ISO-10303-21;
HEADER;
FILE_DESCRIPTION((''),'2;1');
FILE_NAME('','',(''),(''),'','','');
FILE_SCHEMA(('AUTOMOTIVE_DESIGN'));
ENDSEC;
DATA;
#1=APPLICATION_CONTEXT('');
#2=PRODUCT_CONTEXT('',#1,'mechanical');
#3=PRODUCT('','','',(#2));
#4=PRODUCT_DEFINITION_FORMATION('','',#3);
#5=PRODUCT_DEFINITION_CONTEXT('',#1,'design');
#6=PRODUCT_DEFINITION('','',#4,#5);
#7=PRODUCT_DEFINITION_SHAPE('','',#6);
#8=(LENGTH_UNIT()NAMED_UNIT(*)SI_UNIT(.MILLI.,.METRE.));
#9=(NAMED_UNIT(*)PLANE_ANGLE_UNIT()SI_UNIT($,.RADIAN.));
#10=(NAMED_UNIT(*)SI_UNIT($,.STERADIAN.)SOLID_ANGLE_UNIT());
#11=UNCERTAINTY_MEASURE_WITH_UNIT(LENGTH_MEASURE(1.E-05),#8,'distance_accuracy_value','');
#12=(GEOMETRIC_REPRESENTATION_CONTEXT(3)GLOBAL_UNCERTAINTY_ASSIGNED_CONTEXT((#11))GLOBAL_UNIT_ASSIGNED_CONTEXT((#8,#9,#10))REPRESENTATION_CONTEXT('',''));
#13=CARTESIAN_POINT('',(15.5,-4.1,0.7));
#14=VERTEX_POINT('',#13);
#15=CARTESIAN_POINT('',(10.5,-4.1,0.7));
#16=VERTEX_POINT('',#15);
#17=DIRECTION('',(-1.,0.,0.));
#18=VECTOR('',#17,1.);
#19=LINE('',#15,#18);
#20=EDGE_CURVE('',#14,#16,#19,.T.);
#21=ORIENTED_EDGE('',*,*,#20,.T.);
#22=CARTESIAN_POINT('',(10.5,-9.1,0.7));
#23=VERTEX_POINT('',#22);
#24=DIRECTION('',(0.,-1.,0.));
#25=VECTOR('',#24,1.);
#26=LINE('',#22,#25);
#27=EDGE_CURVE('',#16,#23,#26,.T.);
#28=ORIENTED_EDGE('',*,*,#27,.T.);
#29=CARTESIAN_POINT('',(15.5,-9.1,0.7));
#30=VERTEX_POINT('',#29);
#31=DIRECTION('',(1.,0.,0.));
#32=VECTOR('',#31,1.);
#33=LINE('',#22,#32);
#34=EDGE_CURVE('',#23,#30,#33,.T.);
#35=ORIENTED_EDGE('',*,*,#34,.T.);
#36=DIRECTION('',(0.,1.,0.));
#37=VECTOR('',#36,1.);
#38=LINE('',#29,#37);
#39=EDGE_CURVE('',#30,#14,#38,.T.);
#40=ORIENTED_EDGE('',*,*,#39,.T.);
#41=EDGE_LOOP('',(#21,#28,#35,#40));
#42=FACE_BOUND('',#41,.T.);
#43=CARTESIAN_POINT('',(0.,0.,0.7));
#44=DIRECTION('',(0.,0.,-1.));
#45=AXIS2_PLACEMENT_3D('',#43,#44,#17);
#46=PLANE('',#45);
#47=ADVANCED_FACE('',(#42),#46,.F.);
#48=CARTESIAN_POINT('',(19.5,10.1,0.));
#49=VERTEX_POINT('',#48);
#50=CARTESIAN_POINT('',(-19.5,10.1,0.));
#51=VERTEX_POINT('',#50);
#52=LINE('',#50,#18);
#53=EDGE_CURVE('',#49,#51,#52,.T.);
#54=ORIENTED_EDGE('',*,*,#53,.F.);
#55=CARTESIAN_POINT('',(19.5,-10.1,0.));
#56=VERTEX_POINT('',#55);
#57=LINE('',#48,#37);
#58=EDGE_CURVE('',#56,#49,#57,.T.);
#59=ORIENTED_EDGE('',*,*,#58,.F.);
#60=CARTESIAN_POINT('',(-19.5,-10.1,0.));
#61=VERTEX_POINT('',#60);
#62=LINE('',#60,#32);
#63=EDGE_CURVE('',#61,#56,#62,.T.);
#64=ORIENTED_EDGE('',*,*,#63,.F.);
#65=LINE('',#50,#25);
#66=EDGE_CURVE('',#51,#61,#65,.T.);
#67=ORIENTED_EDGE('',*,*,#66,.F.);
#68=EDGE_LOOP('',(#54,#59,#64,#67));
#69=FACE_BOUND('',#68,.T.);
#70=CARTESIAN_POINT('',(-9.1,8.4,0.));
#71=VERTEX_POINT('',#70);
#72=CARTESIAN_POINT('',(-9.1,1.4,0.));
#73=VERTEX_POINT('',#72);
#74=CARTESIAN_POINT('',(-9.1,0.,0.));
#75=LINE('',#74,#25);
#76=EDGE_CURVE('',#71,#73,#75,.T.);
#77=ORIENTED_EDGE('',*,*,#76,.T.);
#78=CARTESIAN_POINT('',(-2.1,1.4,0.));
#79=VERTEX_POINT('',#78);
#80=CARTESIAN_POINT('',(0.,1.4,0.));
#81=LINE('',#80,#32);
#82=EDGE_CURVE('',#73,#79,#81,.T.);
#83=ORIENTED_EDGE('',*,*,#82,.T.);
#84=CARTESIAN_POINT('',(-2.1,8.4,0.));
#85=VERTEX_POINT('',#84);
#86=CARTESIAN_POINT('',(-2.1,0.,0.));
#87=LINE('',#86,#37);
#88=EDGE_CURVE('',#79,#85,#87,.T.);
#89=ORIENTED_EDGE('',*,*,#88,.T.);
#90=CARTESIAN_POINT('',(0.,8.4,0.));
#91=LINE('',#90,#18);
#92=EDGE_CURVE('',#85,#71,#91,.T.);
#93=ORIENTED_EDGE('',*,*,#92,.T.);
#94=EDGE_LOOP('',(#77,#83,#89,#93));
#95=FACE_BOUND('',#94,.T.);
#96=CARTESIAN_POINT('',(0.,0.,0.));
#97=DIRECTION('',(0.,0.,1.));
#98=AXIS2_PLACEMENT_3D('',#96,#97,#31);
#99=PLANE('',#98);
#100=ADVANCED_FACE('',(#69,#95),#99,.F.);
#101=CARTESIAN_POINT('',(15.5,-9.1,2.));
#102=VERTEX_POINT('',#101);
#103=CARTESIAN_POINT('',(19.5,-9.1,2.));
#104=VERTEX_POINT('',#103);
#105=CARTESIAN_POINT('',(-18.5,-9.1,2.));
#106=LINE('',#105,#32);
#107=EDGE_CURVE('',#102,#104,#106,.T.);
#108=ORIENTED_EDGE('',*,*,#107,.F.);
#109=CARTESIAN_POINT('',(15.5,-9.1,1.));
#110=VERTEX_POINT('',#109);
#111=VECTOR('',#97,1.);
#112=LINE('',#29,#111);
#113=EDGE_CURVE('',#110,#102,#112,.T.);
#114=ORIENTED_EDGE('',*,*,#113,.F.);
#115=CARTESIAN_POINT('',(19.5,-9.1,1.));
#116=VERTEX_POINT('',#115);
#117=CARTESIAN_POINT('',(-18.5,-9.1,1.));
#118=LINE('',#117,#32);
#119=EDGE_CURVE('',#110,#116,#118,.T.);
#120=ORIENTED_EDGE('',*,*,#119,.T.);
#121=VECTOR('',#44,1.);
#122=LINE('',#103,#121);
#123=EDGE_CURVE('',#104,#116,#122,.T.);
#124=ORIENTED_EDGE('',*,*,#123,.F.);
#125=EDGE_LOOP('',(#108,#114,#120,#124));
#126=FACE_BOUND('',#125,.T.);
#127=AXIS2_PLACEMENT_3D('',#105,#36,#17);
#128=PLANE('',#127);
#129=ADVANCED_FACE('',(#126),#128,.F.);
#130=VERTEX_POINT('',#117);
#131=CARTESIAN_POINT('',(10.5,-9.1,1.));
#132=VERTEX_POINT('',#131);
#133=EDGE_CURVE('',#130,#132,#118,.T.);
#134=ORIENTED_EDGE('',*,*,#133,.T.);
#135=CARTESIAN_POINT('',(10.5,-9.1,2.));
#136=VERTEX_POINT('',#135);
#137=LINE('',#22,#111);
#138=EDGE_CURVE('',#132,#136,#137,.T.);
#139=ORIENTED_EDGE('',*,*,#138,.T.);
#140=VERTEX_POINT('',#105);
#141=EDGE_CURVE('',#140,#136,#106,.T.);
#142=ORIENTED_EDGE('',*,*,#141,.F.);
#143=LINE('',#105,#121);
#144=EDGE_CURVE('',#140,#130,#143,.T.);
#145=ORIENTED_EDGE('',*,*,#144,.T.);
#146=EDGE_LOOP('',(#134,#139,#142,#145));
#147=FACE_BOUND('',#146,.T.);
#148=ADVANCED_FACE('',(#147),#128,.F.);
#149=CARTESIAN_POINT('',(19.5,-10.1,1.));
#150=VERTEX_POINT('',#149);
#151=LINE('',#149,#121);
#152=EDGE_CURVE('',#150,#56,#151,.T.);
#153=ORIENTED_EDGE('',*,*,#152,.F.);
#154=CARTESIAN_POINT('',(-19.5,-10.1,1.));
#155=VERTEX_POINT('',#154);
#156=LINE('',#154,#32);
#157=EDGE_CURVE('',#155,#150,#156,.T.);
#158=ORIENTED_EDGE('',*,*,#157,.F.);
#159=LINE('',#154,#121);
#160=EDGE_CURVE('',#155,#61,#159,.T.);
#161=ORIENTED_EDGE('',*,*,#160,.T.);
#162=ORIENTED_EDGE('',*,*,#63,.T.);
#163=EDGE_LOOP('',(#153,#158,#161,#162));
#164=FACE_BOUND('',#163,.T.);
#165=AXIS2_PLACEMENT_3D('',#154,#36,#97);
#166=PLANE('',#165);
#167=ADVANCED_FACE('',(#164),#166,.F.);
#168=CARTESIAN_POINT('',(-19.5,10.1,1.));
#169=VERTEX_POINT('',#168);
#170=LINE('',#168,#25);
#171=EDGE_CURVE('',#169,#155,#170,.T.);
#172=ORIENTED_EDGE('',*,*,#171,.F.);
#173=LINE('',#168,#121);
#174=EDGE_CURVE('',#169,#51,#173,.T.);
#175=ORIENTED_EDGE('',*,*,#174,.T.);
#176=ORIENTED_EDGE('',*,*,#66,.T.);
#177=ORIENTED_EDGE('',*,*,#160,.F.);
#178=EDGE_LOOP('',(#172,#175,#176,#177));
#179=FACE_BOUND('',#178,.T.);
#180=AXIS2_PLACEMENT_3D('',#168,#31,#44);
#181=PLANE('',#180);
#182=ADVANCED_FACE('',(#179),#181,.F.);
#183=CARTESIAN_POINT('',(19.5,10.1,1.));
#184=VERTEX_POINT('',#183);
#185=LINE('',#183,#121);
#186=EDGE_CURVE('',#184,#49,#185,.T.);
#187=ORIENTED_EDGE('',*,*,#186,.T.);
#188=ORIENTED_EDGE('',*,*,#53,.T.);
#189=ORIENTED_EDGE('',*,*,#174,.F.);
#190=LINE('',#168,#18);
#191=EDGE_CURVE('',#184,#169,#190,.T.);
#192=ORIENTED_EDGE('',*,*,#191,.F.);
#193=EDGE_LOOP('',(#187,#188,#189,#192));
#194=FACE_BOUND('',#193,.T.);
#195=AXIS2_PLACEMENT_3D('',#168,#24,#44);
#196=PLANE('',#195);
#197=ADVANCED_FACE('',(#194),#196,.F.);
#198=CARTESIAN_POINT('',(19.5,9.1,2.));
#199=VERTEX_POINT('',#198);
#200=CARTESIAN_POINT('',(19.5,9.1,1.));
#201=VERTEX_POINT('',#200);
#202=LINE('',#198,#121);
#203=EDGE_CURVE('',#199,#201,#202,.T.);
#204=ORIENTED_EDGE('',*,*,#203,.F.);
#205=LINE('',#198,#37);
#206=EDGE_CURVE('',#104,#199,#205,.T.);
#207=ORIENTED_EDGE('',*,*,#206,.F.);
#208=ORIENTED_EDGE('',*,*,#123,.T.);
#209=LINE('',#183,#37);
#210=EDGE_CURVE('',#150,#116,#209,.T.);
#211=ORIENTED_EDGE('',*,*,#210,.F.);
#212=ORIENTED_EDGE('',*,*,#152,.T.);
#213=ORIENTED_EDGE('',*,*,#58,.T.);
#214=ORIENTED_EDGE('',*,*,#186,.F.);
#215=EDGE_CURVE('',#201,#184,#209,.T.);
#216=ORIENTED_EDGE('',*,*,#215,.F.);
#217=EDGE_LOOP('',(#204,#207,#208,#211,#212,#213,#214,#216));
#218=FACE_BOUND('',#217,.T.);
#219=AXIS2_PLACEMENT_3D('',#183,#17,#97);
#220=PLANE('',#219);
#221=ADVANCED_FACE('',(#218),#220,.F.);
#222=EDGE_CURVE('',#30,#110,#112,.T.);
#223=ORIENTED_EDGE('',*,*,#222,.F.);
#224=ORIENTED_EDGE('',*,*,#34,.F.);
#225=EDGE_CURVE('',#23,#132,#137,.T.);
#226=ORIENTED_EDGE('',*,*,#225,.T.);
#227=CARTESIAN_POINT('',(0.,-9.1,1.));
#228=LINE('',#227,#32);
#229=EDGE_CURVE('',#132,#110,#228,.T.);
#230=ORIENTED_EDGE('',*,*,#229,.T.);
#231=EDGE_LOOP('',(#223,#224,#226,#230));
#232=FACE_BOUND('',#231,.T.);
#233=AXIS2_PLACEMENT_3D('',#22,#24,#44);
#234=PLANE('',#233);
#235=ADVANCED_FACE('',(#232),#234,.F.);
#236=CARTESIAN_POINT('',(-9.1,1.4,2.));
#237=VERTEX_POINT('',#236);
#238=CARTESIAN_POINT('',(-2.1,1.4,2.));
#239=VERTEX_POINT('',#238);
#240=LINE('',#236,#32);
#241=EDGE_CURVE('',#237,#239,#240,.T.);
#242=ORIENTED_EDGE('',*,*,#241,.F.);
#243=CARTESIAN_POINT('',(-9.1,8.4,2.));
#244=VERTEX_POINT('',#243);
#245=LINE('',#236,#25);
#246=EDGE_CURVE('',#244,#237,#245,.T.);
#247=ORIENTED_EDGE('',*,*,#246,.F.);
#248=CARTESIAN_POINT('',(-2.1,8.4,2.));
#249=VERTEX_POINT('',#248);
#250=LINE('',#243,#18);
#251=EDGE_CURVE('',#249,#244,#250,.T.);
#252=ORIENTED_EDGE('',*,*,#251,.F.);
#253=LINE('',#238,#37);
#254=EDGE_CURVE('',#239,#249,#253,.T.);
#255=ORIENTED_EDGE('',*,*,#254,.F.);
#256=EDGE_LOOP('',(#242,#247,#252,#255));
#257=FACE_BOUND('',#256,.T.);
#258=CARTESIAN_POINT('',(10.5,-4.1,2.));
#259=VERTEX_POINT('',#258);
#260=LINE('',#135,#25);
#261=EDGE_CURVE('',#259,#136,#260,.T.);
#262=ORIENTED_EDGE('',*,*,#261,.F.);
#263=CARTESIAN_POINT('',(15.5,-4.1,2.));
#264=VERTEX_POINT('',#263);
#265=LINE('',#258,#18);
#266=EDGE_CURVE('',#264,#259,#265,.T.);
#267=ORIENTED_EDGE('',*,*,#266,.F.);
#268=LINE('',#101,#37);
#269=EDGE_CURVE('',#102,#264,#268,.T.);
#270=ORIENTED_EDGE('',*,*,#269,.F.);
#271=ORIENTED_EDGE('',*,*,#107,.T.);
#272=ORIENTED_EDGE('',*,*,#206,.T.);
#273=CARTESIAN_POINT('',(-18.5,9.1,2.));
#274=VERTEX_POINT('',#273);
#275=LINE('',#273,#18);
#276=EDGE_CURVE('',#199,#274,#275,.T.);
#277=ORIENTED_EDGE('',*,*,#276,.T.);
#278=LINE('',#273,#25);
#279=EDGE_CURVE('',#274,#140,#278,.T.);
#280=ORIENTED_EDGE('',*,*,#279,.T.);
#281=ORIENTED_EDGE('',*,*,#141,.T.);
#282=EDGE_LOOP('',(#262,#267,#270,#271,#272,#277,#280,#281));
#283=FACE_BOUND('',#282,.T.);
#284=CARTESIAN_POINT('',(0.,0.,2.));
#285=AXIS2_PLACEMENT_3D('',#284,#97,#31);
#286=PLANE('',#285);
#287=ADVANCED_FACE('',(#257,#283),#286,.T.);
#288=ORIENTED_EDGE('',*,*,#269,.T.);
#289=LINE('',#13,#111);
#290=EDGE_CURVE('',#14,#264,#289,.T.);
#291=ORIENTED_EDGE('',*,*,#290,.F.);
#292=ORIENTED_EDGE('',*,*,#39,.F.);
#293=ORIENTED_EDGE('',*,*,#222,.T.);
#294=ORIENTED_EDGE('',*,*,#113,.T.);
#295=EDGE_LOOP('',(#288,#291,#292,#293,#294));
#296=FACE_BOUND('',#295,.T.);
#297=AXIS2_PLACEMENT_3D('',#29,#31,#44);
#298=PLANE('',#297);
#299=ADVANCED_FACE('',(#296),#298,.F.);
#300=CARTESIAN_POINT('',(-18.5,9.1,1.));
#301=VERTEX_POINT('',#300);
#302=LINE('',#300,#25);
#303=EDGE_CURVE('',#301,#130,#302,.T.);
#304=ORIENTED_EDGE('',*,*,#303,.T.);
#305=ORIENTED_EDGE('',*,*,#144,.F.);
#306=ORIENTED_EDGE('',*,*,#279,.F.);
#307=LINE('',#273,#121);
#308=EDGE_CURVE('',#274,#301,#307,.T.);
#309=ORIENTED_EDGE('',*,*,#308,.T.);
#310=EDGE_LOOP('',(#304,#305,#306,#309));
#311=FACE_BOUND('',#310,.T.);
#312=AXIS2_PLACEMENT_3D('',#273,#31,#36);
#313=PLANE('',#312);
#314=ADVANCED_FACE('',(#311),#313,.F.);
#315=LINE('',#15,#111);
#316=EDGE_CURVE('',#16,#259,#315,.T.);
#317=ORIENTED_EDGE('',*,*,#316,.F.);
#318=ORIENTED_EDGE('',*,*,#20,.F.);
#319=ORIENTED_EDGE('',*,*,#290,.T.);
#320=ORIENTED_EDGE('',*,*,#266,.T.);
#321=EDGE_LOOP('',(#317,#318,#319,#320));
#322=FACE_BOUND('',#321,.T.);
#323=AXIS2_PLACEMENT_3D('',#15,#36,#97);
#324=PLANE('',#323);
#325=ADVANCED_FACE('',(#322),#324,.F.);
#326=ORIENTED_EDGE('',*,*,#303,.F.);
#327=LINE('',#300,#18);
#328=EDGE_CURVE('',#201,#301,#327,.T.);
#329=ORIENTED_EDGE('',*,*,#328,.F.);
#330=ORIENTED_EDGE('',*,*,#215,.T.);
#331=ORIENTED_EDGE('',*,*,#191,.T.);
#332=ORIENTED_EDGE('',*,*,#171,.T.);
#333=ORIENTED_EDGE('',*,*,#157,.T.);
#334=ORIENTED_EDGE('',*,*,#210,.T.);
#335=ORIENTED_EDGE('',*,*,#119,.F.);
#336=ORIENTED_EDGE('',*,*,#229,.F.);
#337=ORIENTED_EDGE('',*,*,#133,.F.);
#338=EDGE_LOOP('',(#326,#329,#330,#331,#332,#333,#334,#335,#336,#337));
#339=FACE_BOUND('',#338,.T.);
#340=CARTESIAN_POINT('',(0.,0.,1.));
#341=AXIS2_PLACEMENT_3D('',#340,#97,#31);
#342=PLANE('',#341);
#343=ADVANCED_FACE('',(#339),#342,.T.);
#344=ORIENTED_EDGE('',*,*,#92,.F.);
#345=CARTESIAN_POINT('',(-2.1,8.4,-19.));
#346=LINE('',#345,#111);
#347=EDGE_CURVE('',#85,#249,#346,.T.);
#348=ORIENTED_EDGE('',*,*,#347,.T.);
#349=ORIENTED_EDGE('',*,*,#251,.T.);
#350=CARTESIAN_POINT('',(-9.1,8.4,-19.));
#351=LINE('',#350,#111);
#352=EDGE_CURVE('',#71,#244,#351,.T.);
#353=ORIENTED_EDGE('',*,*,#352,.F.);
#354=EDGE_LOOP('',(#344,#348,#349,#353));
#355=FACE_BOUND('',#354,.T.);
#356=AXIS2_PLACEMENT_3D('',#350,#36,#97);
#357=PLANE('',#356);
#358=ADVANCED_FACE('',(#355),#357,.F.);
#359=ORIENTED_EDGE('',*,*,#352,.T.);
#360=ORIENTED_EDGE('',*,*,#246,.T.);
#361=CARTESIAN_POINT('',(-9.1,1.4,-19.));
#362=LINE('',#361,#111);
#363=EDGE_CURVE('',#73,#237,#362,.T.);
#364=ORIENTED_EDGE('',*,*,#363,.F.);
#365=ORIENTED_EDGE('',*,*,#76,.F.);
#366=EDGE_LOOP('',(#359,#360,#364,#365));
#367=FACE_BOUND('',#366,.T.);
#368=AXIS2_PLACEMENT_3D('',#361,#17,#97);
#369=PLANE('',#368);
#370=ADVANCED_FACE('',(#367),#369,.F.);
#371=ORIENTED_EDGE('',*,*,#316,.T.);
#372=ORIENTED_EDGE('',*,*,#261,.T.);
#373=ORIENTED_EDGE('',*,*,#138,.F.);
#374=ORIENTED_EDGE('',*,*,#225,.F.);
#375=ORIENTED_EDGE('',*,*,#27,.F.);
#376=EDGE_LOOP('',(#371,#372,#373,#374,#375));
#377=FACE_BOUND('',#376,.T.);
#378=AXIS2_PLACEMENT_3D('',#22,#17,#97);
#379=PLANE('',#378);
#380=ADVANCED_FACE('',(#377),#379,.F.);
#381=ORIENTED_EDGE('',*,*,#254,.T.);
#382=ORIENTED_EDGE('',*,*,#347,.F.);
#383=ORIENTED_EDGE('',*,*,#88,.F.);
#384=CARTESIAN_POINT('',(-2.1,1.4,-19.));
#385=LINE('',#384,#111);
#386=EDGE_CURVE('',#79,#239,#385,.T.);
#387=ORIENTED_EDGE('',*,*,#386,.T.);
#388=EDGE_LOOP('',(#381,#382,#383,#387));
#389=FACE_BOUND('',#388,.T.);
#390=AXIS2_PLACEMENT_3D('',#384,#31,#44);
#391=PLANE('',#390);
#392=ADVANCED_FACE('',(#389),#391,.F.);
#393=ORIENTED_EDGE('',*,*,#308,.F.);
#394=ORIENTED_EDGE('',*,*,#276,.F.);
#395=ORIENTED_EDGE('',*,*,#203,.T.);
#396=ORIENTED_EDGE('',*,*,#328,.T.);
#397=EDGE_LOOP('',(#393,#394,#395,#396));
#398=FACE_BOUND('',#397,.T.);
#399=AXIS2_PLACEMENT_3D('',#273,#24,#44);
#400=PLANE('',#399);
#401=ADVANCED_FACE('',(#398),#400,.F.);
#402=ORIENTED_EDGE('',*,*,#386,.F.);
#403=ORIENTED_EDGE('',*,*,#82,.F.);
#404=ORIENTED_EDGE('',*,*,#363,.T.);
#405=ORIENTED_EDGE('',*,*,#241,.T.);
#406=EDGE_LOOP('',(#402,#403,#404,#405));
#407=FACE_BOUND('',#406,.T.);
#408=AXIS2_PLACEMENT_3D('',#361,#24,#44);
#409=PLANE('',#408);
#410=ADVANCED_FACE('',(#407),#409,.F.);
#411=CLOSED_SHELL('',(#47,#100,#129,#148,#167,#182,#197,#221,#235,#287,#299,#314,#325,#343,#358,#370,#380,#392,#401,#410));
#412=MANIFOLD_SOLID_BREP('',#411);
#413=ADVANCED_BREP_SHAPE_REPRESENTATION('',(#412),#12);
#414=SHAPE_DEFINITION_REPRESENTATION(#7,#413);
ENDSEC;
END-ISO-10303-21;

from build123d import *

# Parameters (mm, degrees)
SKETCH1_W           = 39
SKETCH1_H           = 20.2
BOSS_EXTRUDE1_DEPTH = 1
SKETCH2_W           = 38
SKETCH2_H           = 18.2
BOSS_EXTRUDE2_DEPTH = 1
SKETCH3_W           = 7
SKETCH3_H           = 7
CUT_EXTRUDE1_DEPTH  = 21
SKETCH4_W           = 5
SKETCH4_H           = 5
CUT_EXTRUDE2_DEPTH  = 1.3


with BuildPart() as part:
    # Sketch1 → Boss-Extrude1 (new body)
    with BuildSketch(Plane.XY):
        Rectangle(SKETCH1_W, SKETCH1_H)
    extrude(amount=BOSS_EXTRUDE1_DEPTH)

    # Sketch2 → Boss-Extrude2 (add)
    with BuildSketch(Plane.XY.offset(1)):
        with Locations((0.5, 0)):
            Rectangle(SKETCH2_W, SKETCH2_H)
    extrude(amount=BOSS_EXTRUDE2_DEPTH)

    # Sketch3 → Cut-Extrude1 (cut)
    with BuildSketch(Plane.XY.offset(2)):
        with Locations((-5.6, 4.9)):
            Rectangle(SKETCH3_W, SKETCH3_H)
    extrude(amount=-CUT_EXTRUDE1_DEPTH, mode=Mode.SUBTRACT)

    # Sketch4 → Cut-Extrude2 (cut)
    with BuildSketch(Plane.XY.offset(2)):
        with Locations((13, -6.6)):
            Rectangle(SKETCH4_W, SKETCH4_H)
    extrude(amount=-CUT_EXTRUDE2_DEPTH, mode=Mode.SUBTRACT)


solid = part.part
